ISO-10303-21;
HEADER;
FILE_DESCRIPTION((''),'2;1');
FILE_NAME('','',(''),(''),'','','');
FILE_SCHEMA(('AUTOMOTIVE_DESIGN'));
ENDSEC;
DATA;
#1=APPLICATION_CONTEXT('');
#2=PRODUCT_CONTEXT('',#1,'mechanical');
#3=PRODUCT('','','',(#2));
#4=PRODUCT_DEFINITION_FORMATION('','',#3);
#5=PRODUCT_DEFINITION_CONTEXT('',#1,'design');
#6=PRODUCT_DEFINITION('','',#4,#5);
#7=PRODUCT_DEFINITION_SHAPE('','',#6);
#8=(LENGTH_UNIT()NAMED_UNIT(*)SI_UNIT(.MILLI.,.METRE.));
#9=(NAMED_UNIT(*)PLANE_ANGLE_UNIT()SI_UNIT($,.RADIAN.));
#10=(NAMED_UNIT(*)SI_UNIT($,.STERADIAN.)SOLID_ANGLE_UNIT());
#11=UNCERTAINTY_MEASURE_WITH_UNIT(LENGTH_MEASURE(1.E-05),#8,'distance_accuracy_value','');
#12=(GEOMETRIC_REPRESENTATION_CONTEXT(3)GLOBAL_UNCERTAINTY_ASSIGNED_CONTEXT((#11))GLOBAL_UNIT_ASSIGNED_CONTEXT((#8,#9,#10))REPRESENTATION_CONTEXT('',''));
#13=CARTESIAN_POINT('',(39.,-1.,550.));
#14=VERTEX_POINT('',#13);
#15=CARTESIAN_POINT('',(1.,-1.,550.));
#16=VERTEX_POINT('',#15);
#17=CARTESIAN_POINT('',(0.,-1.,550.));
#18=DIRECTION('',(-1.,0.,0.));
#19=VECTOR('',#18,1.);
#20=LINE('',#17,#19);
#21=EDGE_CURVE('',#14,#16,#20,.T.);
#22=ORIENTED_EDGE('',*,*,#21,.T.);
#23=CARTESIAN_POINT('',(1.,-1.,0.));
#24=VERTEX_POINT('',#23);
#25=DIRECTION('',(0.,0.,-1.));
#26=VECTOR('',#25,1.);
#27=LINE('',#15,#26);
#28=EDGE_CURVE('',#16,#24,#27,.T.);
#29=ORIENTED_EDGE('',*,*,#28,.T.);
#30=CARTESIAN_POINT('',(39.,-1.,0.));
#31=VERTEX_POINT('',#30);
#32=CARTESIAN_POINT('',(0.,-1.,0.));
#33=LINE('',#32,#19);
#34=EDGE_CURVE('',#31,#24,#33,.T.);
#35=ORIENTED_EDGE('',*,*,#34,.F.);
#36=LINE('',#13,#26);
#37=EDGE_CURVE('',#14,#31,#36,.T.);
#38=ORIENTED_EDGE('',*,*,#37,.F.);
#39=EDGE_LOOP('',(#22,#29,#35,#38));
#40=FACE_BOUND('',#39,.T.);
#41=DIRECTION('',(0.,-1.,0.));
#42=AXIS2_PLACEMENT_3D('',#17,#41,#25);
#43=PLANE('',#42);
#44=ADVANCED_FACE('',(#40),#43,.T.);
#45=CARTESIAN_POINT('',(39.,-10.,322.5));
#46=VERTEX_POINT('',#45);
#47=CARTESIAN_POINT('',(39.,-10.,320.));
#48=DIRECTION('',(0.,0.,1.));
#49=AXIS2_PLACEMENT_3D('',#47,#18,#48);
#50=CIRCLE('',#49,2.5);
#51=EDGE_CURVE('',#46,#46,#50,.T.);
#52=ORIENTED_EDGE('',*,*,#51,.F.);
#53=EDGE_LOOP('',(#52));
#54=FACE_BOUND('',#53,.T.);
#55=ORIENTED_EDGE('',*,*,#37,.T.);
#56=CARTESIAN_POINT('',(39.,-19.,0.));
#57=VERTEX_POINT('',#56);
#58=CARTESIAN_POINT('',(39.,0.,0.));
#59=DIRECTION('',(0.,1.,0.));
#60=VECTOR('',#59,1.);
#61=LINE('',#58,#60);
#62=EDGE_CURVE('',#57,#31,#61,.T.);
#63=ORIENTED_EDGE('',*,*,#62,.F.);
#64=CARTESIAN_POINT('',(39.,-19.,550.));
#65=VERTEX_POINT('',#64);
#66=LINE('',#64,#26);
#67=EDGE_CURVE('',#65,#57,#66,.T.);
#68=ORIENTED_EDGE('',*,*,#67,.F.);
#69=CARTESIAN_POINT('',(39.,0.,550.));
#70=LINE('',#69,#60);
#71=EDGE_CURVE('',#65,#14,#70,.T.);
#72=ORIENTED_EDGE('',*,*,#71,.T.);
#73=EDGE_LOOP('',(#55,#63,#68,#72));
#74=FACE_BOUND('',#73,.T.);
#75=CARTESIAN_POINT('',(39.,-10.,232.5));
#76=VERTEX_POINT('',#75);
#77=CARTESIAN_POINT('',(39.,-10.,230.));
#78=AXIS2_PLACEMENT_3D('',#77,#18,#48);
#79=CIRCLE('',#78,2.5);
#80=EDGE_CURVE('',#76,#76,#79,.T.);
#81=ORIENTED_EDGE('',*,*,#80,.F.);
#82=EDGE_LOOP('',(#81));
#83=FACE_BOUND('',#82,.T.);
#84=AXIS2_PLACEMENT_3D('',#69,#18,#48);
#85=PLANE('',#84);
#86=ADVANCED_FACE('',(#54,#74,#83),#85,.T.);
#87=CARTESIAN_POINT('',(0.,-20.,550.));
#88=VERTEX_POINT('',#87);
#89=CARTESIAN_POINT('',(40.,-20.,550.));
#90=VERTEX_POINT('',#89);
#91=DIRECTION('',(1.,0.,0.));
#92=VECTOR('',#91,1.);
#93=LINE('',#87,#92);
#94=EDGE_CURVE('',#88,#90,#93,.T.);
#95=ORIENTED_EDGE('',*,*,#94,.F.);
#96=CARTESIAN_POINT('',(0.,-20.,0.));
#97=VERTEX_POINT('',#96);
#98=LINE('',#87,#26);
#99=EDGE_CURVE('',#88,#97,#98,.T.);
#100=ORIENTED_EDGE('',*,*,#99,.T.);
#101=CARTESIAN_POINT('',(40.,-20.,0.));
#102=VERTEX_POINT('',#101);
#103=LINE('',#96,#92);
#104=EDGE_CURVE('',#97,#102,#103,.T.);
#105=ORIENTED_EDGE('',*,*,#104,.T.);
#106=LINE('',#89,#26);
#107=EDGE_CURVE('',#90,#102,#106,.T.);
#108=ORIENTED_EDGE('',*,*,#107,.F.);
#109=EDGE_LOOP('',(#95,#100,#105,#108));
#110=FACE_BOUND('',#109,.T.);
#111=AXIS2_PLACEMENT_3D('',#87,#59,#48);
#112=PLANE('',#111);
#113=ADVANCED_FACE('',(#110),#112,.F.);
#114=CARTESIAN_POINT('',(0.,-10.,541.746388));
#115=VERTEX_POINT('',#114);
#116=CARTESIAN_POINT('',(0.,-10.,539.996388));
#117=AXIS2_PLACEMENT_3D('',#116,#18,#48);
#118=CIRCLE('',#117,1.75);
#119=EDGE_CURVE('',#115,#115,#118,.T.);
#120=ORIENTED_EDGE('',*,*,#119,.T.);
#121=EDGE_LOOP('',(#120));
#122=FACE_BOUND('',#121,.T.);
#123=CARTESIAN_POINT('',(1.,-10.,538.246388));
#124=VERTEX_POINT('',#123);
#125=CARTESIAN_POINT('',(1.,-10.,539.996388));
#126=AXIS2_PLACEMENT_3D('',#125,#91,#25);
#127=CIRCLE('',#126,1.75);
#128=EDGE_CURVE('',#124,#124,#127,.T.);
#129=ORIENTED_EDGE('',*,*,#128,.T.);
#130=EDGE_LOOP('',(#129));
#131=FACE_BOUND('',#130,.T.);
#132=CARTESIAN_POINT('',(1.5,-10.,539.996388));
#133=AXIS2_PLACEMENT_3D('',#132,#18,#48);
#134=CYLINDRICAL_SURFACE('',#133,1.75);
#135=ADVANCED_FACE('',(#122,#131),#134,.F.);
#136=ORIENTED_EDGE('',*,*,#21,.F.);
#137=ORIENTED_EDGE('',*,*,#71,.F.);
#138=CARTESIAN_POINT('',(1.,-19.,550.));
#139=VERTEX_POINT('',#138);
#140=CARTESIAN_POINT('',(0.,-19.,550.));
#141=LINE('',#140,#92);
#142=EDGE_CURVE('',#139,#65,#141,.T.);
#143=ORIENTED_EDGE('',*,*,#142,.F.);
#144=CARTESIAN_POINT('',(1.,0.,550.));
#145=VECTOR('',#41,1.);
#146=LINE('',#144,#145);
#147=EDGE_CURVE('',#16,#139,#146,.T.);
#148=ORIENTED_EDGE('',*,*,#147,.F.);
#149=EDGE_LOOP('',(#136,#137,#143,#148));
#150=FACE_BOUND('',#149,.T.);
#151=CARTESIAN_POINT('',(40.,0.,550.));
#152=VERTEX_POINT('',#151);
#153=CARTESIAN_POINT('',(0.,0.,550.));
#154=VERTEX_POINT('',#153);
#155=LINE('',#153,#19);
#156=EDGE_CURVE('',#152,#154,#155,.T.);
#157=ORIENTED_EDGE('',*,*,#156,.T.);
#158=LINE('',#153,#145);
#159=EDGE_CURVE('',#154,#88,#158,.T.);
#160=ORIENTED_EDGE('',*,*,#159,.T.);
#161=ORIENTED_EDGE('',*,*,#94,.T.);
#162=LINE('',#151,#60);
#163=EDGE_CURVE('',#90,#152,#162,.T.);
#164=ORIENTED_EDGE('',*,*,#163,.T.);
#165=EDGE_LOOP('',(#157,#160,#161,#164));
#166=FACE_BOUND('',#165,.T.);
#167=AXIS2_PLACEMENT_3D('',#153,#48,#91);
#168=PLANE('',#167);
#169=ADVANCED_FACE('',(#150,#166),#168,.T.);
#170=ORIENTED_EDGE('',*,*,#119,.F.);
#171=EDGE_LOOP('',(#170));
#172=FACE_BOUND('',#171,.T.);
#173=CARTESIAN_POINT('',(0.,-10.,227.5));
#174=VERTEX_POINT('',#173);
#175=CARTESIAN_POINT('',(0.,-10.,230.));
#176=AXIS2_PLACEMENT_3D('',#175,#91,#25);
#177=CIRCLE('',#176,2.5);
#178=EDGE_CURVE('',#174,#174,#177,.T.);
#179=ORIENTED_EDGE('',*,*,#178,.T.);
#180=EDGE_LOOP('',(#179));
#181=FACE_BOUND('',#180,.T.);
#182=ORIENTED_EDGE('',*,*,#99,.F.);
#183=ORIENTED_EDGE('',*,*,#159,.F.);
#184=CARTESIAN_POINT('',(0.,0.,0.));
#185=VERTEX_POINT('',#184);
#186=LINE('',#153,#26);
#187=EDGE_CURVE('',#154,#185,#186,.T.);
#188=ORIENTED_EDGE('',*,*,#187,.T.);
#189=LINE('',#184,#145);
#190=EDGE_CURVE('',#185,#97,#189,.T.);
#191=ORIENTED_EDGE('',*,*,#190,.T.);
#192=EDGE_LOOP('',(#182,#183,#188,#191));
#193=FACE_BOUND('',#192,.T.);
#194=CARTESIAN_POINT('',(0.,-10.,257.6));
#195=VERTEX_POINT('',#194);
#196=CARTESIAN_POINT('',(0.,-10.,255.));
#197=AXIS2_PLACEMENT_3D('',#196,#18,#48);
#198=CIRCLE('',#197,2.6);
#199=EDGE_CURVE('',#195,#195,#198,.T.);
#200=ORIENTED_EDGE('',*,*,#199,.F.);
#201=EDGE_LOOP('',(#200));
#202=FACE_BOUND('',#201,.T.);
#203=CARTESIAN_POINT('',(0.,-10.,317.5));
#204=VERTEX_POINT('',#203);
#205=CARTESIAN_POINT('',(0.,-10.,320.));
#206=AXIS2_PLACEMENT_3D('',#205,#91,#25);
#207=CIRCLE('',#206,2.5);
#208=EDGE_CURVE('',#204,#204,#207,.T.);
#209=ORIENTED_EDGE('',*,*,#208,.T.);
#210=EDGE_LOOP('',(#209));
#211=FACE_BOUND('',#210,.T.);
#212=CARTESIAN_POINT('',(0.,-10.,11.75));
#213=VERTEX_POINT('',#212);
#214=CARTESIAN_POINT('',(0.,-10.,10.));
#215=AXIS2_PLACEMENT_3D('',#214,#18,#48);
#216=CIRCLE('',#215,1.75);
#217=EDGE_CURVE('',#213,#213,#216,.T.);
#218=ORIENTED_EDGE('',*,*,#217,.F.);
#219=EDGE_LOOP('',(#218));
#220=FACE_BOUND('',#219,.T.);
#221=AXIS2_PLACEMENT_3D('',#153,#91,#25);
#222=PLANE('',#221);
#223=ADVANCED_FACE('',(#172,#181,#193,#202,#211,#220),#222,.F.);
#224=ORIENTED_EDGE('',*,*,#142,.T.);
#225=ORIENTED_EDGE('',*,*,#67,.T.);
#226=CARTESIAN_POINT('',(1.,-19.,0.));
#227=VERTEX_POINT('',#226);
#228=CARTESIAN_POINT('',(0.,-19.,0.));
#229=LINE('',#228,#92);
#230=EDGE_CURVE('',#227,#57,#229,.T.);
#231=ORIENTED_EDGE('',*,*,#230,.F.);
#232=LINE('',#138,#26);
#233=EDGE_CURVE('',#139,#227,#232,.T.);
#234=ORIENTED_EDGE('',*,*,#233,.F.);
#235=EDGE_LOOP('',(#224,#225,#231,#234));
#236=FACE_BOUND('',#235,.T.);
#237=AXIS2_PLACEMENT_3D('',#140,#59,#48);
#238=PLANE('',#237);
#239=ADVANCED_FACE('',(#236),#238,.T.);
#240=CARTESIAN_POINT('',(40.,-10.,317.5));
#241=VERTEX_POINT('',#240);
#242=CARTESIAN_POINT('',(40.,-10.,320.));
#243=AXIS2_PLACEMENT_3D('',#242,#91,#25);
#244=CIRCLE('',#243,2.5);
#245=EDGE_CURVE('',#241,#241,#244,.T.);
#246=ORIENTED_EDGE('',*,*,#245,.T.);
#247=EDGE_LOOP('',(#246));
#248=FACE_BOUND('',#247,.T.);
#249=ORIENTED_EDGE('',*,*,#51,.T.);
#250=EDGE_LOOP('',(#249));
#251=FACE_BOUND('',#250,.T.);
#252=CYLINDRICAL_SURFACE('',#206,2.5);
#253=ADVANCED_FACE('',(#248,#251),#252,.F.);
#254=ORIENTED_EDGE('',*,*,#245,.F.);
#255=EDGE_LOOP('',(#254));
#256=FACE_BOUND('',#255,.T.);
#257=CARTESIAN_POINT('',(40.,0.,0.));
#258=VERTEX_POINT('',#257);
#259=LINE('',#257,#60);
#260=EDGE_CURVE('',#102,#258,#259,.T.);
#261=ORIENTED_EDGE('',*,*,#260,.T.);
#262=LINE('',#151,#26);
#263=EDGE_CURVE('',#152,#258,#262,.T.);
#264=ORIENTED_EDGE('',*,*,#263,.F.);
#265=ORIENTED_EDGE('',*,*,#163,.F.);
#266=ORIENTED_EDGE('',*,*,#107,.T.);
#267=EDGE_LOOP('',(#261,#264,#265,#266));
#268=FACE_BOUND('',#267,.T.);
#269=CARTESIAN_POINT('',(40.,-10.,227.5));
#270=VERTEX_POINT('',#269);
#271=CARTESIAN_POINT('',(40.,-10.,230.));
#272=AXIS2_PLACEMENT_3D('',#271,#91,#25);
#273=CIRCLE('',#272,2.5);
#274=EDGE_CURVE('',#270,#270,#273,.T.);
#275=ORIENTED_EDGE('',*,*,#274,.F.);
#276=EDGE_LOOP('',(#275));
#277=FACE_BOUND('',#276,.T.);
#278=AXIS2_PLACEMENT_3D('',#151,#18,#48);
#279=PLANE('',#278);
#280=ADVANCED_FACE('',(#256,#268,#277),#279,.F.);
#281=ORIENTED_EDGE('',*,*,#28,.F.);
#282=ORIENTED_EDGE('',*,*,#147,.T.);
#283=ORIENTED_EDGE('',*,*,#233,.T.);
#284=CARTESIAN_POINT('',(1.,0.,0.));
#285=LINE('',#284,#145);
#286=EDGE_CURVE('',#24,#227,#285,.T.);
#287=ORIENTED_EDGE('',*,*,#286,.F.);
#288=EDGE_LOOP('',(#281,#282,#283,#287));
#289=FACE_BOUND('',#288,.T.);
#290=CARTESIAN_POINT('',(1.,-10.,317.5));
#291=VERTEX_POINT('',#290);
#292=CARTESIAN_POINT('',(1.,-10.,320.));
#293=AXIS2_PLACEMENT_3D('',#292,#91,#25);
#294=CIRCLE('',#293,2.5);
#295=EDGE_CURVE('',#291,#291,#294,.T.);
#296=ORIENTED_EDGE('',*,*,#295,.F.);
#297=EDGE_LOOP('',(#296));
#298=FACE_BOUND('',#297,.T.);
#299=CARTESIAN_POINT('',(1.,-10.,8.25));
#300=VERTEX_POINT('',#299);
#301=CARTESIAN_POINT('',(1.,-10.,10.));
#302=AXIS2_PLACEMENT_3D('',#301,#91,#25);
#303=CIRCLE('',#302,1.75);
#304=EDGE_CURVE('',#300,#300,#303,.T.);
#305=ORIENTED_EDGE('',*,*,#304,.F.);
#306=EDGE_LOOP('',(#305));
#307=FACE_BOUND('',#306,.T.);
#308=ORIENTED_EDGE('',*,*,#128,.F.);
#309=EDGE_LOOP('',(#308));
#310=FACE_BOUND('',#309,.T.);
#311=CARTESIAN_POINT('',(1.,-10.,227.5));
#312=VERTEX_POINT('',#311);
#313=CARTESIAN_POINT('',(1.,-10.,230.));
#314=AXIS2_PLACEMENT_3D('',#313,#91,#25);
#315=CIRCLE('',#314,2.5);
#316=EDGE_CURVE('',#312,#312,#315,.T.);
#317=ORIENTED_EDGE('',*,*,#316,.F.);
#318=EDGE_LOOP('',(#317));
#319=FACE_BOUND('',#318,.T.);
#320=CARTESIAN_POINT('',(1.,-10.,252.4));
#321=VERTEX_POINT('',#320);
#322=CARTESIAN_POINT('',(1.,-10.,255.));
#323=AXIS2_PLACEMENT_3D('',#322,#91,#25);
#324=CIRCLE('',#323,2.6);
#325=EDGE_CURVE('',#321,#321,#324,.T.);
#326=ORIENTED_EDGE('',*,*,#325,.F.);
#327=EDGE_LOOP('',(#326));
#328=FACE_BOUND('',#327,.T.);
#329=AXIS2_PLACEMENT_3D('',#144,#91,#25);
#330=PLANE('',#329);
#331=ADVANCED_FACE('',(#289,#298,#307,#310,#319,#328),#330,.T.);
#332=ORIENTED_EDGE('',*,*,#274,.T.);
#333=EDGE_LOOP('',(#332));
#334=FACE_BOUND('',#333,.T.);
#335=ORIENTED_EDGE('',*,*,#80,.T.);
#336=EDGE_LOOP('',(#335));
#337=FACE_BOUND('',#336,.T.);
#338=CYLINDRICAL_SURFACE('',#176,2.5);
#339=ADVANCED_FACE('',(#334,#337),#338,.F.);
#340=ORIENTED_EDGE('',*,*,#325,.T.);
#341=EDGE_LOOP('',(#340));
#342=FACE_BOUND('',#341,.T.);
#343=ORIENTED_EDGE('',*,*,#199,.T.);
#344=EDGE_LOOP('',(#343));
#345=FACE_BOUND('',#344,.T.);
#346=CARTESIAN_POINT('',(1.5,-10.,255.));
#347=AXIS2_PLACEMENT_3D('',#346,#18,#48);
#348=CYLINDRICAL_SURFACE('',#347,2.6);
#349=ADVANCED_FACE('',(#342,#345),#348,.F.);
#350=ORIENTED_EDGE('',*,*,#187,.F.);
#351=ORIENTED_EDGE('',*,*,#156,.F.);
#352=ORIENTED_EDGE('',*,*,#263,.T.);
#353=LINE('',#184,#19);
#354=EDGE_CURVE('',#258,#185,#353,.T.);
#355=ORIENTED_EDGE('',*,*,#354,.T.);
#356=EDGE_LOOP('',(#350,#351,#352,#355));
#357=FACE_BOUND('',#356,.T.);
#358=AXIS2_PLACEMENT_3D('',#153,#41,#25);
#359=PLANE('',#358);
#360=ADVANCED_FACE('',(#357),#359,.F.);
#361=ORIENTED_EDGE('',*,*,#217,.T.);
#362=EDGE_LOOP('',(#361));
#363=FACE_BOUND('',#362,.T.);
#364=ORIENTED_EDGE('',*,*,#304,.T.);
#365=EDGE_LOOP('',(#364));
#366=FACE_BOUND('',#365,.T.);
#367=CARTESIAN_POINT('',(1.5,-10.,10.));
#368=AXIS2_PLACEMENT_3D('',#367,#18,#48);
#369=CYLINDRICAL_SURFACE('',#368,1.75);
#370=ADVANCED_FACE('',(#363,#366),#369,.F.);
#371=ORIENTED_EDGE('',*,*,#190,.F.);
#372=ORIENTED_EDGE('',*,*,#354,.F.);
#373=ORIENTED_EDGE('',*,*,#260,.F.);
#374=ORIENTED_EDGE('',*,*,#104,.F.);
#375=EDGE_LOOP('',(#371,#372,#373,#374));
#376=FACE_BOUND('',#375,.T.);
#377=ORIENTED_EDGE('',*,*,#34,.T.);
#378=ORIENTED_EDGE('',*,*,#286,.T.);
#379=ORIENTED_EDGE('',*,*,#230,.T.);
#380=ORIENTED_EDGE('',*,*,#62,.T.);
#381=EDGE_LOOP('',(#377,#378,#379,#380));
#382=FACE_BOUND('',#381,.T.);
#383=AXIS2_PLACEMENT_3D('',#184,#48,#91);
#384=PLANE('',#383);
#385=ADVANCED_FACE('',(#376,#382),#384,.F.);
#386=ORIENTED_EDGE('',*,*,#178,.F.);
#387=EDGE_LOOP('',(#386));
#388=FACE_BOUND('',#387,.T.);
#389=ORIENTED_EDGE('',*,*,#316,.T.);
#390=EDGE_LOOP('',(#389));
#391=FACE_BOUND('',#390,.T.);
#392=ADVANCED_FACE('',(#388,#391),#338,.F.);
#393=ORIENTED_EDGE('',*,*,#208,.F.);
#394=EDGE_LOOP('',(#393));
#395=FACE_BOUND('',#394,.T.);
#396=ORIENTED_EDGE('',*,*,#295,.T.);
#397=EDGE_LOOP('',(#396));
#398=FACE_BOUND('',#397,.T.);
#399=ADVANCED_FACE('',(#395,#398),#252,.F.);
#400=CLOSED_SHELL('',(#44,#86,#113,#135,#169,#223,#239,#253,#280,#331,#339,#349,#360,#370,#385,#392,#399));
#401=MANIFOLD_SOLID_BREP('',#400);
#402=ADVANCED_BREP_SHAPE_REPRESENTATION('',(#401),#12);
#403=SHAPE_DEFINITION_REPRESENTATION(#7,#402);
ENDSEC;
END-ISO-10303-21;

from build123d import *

# Parameters (mm, degrees)
SKETCH_1_W          = 40
SKETCH_1_H          = 20
SKETCH_1_W_2        = 38
SKETCH_1_H_2        = 18
EXTRUDE_1_DEPTH     = 550
SKETCH_4_R          = 1.75
CUT_EXTRUDE_2_DEPTH = 1.5
SKETCH_5_R          = 2.6
CUT_EXTRUDE_3_DEPTH = 1.5
SKETCH_6_R          = 2.5
CUT_EXTRUDE_4_DEPTH = 552.815186453


with BuildPart() as part:
    # 草图1 → 拉伸-薄壁1 (new body)
    with BuildSketch(Plane.XY):
        with Locations((20, -10)):
            Rectangle(SKETCH_1_W, SKETCH_1_H)
        with Locations((20, -10)):
            Rectangle(SKETCH_1_W_2, SKETCH_1_H_2, mode=Mode.SUBTRACT)
    extrude(amount=EXTRUDE_1_DEPTH)

    # 草图4 → 切除-拉伸2 (cut)
    with BuildSketch(Plane.ZY):
        with Locations((539.996387591, -10)):
            Circle(SKETCH_4_R)
        with Locations((10, -10.000000002)):
            Circle(SKETCH_4_R)
    extrude(amount=-CUT_EXTRUDE_2_DEPTH, mode=Mode.SUBTRACT)

    # 草图5 → 切除-拉伸3 (cut)
    with BuildSketch(Plane.ZY):
        with Locations((255, -10)):
            Circle(SKETCH_5_R)
    extrude(amount=-CUT_EXTRUDE_3_DEPTH, mode=Mode.SUBTRACT)

    # 草图6 → 切除-拉伸4 (cut, through all)
    with BuildSketch(Plane(origin=(40, 0, 0), x_dir=(0, 0, -1), z_dir=(1, 0, 0))):
        with Locations((-320, -10)):
            Circle(SKETCH_6_R)
        with Locations((-230, -10)):
            Circle(SKETCH_6_R)
    extrude(amount=-CUT_EXTRUDE_4_DEPTH, mode=Mode.SUBTRACT)


solid = part.part
